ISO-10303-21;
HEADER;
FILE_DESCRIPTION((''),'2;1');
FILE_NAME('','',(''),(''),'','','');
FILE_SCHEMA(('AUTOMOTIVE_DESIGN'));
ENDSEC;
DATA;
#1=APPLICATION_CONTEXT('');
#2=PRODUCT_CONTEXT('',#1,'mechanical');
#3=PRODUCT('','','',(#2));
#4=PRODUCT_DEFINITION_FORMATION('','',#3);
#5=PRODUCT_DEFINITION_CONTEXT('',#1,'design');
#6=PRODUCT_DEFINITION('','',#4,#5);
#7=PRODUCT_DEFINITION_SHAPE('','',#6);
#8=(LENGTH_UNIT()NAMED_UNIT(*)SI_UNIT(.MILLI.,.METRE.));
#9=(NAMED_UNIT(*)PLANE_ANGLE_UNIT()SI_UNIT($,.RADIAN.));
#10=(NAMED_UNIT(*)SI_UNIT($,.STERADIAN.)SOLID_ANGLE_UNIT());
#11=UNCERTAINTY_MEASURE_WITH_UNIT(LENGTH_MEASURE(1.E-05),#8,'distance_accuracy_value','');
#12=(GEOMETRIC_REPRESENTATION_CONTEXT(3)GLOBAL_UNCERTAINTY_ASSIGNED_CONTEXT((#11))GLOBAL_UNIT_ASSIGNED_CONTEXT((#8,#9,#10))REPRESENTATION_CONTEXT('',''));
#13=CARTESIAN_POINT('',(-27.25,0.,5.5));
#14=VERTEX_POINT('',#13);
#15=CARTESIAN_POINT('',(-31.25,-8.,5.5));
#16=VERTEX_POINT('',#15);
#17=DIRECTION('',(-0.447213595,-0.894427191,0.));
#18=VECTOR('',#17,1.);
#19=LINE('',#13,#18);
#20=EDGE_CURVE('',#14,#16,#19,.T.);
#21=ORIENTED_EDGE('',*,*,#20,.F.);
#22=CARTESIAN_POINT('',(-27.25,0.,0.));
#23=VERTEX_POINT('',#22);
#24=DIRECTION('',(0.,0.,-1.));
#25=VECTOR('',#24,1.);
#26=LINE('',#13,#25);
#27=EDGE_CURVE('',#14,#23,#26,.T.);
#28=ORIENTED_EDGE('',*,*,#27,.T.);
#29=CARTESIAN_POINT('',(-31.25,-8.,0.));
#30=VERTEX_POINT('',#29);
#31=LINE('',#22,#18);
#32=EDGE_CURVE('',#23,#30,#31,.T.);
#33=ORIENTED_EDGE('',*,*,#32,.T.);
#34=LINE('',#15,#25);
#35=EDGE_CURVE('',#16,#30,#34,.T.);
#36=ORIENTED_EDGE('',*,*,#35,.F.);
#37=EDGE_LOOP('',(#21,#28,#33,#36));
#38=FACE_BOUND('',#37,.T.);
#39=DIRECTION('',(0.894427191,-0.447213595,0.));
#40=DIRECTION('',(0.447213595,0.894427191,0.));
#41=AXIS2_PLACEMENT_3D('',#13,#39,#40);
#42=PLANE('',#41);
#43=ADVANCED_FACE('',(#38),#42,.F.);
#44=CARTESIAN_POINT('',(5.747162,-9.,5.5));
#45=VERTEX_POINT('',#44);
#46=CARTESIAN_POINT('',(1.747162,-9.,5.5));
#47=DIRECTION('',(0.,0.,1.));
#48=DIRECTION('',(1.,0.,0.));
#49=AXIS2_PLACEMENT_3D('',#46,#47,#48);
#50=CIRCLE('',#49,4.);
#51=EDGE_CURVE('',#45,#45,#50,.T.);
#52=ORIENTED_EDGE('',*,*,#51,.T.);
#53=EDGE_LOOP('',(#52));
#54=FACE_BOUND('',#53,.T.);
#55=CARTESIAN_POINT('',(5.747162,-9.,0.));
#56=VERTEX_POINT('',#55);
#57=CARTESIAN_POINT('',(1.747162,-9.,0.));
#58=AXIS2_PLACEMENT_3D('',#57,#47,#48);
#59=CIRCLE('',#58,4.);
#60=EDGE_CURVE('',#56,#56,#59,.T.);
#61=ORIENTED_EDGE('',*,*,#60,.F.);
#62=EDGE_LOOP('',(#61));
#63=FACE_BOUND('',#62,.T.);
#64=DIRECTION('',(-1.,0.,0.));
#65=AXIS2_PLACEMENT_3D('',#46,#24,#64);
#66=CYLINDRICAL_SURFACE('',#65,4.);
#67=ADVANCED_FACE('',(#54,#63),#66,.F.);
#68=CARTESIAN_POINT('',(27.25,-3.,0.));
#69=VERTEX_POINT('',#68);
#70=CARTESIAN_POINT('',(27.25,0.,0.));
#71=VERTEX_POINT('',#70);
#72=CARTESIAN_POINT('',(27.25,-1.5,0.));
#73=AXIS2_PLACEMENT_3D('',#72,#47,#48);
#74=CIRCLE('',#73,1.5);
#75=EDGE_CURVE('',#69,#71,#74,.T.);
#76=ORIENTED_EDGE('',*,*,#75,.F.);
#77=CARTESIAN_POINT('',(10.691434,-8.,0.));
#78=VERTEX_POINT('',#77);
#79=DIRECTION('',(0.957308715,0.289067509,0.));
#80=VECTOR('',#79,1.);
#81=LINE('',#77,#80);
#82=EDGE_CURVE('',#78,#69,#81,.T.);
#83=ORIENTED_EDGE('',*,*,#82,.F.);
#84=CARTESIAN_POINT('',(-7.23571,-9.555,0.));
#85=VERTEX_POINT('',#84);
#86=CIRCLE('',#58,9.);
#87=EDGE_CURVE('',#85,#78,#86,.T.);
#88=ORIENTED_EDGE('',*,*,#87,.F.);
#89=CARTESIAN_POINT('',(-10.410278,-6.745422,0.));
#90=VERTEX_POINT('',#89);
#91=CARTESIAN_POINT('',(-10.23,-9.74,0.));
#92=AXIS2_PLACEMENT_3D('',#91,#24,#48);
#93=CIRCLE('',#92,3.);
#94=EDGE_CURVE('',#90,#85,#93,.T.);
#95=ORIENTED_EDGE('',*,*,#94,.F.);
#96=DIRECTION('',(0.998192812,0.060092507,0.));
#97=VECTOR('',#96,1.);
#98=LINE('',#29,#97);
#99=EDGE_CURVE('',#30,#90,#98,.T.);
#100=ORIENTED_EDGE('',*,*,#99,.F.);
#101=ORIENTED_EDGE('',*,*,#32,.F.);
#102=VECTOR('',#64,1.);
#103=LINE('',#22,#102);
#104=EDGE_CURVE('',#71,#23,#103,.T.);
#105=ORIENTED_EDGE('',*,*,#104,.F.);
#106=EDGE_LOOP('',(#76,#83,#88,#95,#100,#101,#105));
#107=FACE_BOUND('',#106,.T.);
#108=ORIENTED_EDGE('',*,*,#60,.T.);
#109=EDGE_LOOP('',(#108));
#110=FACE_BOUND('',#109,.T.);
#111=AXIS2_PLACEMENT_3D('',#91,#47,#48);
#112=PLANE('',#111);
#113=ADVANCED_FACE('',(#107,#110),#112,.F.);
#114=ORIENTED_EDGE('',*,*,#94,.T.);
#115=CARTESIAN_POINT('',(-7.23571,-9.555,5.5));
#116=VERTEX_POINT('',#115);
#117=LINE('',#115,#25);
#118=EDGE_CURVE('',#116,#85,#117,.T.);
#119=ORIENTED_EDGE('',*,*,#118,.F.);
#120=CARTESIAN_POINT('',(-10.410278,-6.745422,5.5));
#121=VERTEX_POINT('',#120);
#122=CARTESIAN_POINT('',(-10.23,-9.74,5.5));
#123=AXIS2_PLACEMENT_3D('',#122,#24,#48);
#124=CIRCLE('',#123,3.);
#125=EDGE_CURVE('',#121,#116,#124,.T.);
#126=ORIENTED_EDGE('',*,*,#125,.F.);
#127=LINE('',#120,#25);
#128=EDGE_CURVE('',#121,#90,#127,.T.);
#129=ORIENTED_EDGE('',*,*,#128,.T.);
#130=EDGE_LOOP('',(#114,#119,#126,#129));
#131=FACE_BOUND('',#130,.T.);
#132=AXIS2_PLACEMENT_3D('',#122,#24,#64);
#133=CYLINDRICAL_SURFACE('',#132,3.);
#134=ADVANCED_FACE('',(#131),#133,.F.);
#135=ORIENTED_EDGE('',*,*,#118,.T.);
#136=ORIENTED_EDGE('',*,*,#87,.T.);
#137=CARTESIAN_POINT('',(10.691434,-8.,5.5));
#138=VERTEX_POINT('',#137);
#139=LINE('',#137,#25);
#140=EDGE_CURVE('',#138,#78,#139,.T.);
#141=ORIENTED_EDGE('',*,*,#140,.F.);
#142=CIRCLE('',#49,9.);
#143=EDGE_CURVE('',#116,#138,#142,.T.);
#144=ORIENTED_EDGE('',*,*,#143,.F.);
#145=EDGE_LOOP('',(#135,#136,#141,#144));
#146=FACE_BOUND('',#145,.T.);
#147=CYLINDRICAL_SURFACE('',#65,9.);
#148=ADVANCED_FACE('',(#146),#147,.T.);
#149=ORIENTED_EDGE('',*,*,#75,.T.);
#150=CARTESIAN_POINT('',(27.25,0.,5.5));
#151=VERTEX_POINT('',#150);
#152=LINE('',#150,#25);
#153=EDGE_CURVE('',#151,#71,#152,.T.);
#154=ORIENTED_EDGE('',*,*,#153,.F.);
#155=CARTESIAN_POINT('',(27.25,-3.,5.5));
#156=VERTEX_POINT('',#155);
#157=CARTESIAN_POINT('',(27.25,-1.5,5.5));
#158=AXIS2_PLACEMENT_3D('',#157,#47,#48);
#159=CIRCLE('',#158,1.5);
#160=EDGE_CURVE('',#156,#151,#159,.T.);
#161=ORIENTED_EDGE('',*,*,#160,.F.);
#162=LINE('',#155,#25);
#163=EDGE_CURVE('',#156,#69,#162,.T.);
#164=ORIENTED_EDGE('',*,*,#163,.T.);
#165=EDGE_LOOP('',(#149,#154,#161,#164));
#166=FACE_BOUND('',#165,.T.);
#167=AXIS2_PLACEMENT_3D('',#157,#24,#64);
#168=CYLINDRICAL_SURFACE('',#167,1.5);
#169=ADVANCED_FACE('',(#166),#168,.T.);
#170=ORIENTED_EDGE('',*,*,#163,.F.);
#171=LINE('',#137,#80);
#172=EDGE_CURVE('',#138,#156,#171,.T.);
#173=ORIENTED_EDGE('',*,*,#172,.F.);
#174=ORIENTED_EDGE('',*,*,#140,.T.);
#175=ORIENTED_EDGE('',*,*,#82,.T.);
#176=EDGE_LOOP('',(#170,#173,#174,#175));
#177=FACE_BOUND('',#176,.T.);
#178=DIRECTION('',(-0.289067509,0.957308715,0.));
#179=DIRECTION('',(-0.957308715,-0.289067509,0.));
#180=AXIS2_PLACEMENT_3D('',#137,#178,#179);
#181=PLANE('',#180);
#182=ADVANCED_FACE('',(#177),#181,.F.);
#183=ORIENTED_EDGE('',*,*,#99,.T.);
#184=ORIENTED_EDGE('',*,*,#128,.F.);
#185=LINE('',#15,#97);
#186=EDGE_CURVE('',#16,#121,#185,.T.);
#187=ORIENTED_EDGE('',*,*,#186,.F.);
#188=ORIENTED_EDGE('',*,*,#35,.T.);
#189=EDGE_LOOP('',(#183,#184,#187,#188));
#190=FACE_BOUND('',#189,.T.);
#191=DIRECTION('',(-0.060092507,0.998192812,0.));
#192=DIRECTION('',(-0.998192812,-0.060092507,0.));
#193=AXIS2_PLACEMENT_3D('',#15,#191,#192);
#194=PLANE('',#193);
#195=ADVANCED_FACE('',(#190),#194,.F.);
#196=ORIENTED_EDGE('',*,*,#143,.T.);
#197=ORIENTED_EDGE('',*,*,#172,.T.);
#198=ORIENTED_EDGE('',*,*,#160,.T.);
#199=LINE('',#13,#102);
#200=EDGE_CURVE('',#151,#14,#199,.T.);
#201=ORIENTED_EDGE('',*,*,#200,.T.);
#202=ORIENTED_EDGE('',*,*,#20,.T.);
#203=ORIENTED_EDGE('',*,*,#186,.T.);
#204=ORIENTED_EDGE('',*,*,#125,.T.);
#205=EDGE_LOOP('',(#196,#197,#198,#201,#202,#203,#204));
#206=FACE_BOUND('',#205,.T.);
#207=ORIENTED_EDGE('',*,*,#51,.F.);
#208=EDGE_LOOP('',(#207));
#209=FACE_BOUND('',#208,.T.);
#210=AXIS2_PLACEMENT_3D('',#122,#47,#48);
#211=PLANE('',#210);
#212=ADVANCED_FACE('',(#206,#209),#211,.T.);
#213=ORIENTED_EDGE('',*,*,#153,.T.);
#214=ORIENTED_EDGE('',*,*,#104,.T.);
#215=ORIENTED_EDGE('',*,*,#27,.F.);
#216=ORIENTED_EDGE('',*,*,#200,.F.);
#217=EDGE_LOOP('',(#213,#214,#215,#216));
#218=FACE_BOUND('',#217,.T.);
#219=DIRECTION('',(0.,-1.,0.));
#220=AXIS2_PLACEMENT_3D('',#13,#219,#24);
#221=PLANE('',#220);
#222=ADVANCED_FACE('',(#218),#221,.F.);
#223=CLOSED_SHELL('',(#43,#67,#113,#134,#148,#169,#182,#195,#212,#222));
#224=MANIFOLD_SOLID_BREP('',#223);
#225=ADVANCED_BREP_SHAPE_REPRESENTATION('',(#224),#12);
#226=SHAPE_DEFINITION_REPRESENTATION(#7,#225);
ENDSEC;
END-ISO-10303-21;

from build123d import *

# Parameters (mm, degrees)
SCHIZZO1_R                   = 4
ESTRUSIONE_ESTRUSIONE1_DEPTH = 5.5


with BuildPart() as part:
    # Schizzo1 → Estrusione-Estrusione1 (new body)
    with BuildSketch(Plane.XY):
        with BuildLine():
            Line((-27.25, 0), (27.25, 0))
            ThreePointArc((27.25, 0), (28.75, -1.5), (27.25, -3))
            Line((27.25, -3), (10.69143351, -8))
            ThreePointArc((10.69143351, -8), (2.524901098, -17.966332655), (-7.2357096, -9.555))
            ThreePointArc((-7.2357096, -9.555), (-8.241759605, -7.493469312), (-10.410277522, -6.745421563))
            Line((-10.410277522, -6.745421563), (-31.25, -8))
            Line((-31.25, -8), (-27.25, 0))
        make_face()
        with Locations((1.7471616, -9)):
            Circle(SCHIZZO1_R, mode=Mode.SUBTRACT)
    extrude(amount=ESTRUSIONE_ESTRUSIONE1_DEPTH)


solid = part.part
